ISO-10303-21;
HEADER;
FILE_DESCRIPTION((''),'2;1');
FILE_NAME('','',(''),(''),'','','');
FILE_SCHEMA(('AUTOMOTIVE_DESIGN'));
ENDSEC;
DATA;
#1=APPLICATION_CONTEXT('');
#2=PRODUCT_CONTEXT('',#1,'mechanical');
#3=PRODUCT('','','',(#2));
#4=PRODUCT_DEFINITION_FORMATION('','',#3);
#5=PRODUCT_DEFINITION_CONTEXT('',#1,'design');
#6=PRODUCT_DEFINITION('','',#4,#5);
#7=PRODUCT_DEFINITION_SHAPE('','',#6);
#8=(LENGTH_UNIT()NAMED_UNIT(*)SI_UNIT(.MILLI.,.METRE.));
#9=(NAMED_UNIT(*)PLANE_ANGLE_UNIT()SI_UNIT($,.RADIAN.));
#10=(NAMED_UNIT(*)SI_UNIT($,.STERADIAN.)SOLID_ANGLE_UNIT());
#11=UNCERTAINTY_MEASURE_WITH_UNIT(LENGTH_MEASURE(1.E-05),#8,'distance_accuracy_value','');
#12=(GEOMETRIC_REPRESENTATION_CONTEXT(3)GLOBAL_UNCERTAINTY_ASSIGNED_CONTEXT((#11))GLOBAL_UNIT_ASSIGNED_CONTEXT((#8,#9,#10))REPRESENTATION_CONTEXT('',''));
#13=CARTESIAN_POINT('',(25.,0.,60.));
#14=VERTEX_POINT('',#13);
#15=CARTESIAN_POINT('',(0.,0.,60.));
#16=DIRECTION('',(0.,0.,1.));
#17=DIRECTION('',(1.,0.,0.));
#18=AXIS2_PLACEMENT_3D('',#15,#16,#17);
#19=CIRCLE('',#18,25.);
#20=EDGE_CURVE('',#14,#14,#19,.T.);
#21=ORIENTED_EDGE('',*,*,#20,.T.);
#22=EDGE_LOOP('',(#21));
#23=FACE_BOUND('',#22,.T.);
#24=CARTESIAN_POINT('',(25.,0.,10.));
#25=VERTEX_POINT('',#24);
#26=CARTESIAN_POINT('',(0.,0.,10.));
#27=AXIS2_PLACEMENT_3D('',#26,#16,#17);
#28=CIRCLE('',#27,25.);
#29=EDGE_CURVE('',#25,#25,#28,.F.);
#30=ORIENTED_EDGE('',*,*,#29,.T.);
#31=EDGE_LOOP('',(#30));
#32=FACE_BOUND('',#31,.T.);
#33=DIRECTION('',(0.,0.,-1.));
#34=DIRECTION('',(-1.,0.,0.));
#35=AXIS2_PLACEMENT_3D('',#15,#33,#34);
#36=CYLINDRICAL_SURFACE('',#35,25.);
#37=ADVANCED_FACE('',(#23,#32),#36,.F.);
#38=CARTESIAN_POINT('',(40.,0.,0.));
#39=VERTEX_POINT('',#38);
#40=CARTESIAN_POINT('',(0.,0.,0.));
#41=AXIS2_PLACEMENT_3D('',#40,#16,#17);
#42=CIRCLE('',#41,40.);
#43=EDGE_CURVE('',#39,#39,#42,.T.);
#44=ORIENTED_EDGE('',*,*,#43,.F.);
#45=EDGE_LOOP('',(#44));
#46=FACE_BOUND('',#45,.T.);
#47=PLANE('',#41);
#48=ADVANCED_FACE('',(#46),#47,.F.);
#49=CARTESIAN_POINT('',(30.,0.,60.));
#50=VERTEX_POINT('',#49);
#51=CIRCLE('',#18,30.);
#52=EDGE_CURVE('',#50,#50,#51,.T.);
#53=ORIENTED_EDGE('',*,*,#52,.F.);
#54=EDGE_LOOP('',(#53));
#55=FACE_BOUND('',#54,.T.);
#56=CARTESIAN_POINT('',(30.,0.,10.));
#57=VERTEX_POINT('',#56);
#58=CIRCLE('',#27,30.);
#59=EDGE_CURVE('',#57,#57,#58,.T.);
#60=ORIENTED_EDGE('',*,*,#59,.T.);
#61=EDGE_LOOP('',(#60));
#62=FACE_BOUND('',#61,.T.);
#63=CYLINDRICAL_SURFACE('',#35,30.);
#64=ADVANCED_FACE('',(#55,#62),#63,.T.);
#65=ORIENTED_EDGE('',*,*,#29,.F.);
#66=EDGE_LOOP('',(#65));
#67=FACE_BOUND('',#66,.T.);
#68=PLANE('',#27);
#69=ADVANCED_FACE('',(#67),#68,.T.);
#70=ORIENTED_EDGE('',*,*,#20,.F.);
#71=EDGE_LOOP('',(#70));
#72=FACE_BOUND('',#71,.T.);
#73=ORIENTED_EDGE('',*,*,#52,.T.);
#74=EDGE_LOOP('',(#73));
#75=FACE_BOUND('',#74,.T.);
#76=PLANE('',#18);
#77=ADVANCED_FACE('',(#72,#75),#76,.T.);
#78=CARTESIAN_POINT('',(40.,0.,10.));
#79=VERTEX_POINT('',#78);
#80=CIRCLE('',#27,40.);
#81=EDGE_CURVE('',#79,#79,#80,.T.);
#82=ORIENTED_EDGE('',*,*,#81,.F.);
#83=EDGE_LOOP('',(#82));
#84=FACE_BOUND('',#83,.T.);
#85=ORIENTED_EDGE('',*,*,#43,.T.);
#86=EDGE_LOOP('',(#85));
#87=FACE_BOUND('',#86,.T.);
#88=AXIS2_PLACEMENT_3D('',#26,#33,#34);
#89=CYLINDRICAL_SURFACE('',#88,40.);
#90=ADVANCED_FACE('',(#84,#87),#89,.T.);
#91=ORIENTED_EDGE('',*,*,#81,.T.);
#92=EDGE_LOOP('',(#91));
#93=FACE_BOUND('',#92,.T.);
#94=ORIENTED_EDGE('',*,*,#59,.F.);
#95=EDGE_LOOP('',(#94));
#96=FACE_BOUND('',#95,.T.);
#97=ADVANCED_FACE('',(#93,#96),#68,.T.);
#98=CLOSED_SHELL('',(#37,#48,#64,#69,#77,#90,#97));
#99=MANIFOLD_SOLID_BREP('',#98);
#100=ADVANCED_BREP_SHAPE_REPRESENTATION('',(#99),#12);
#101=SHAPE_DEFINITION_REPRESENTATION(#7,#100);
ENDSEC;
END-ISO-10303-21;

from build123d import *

# Parameters (mm, degrees)
CROQUIS1_R              = 40
SALIENTE_EXTRUIR1_DEPTH = 10
CROQUIS2_R              = 30
CROQUIS2_R_2            = 25
SALIENTE_EXTRUIR2_DEPTH = 50


with BuildPart() as part:
    # Croquis1 → Saliente-Extruir1 (new body)
    with BuildSketch(Plane.XY):
        Circle(CROQUIS1_R)
    extrude(amount=SALIENTE_EXTRUIR1_DEPTH)

    # Croquis2 → Saliente-Extruir2 (add)
    with BuildSketch(Plane.XY.offset(10)):
        Circle(CROQUIS2_R)
        Circle(CROQUIS2_R_2, mode=Mode.SUBTRACT)
    extrude(amount=SALIENTE_EXTRUIR2_DEPTH)


solid = part.part
